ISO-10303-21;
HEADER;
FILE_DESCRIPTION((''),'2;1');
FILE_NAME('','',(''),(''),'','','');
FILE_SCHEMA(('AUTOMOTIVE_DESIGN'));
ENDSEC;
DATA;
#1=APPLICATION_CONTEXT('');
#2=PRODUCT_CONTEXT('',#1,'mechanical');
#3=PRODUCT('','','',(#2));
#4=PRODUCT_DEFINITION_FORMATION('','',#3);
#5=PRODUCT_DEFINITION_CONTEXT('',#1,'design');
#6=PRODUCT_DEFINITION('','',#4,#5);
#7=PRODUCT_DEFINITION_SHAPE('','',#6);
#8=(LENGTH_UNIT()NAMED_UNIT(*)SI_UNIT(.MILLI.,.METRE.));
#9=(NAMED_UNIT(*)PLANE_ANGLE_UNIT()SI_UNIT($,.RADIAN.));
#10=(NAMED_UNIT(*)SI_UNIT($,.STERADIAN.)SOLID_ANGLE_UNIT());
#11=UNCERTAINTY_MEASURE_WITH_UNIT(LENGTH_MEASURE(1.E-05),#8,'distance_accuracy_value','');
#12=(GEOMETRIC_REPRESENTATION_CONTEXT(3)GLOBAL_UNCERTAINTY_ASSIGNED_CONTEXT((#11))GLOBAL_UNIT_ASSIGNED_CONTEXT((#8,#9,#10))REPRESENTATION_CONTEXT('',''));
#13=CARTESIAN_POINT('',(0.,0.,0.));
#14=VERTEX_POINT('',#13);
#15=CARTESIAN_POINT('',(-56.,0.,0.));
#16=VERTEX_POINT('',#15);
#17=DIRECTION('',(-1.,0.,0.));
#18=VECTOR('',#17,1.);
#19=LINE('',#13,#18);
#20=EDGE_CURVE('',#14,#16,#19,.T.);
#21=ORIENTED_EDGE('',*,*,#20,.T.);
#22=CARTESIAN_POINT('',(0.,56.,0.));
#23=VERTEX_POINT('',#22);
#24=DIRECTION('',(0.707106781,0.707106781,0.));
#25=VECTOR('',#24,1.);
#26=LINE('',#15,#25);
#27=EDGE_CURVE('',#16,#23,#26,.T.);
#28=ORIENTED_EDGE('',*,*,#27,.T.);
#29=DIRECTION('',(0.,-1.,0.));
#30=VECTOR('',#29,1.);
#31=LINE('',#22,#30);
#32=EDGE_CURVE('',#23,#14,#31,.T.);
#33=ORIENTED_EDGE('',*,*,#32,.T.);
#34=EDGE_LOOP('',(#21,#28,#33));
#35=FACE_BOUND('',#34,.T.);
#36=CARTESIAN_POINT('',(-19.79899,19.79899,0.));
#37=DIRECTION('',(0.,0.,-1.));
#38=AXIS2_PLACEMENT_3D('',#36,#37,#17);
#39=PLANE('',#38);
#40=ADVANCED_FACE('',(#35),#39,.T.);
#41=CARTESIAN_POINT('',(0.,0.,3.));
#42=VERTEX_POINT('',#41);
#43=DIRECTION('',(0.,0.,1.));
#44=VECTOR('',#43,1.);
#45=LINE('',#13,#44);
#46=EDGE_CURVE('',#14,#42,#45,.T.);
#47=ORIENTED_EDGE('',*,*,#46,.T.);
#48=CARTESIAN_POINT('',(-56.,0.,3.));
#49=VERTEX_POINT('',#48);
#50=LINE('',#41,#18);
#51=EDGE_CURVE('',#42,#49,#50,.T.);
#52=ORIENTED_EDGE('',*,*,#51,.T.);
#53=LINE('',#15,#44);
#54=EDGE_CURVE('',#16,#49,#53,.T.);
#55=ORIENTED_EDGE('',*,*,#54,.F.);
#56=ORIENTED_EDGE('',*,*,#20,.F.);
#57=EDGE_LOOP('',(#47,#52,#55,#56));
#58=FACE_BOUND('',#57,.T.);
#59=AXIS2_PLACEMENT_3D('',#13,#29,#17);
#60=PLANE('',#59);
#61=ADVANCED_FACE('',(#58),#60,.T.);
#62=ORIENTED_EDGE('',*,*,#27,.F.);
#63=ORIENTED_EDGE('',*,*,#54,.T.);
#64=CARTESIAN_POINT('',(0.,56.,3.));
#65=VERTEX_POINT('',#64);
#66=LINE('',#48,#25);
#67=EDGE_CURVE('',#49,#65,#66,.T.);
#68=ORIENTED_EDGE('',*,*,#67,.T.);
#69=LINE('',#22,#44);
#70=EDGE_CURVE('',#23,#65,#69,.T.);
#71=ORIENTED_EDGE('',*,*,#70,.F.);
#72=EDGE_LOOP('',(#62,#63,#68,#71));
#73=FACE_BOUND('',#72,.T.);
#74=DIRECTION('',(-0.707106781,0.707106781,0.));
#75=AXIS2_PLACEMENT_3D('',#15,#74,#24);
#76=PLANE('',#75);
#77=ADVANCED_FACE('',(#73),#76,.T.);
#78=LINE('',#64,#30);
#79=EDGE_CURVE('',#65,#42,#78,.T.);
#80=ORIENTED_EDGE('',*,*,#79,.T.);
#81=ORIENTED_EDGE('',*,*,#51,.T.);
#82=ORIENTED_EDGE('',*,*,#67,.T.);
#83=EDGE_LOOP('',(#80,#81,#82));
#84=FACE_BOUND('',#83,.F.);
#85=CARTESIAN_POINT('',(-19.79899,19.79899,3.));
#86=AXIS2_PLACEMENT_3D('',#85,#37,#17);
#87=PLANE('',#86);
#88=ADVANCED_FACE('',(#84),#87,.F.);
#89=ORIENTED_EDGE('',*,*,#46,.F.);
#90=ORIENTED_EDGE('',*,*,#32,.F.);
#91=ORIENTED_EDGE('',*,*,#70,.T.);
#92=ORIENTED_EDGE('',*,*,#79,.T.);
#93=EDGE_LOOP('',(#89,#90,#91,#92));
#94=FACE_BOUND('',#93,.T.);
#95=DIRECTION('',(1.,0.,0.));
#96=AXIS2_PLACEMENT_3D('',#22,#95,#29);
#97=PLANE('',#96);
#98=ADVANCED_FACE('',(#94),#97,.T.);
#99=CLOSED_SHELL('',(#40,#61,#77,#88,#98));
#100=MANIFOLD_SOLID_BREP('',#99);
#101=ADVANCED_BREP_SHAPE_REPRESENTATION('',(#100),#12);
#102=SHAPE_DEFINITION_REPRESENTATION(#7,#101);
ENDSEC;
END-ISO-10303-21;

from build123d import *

# Parameters (mm, degrees)
PAD_DEPTH = 3


with BuildPart() as part:
    # Sketch → Pad (new body)
    with BuildSketch(Plane.XY):
        Polygon((0, 0), (-56, 0), (0, 56), align=None)
    extrude(amount=PAD_DEPTH)


solid = part.part
